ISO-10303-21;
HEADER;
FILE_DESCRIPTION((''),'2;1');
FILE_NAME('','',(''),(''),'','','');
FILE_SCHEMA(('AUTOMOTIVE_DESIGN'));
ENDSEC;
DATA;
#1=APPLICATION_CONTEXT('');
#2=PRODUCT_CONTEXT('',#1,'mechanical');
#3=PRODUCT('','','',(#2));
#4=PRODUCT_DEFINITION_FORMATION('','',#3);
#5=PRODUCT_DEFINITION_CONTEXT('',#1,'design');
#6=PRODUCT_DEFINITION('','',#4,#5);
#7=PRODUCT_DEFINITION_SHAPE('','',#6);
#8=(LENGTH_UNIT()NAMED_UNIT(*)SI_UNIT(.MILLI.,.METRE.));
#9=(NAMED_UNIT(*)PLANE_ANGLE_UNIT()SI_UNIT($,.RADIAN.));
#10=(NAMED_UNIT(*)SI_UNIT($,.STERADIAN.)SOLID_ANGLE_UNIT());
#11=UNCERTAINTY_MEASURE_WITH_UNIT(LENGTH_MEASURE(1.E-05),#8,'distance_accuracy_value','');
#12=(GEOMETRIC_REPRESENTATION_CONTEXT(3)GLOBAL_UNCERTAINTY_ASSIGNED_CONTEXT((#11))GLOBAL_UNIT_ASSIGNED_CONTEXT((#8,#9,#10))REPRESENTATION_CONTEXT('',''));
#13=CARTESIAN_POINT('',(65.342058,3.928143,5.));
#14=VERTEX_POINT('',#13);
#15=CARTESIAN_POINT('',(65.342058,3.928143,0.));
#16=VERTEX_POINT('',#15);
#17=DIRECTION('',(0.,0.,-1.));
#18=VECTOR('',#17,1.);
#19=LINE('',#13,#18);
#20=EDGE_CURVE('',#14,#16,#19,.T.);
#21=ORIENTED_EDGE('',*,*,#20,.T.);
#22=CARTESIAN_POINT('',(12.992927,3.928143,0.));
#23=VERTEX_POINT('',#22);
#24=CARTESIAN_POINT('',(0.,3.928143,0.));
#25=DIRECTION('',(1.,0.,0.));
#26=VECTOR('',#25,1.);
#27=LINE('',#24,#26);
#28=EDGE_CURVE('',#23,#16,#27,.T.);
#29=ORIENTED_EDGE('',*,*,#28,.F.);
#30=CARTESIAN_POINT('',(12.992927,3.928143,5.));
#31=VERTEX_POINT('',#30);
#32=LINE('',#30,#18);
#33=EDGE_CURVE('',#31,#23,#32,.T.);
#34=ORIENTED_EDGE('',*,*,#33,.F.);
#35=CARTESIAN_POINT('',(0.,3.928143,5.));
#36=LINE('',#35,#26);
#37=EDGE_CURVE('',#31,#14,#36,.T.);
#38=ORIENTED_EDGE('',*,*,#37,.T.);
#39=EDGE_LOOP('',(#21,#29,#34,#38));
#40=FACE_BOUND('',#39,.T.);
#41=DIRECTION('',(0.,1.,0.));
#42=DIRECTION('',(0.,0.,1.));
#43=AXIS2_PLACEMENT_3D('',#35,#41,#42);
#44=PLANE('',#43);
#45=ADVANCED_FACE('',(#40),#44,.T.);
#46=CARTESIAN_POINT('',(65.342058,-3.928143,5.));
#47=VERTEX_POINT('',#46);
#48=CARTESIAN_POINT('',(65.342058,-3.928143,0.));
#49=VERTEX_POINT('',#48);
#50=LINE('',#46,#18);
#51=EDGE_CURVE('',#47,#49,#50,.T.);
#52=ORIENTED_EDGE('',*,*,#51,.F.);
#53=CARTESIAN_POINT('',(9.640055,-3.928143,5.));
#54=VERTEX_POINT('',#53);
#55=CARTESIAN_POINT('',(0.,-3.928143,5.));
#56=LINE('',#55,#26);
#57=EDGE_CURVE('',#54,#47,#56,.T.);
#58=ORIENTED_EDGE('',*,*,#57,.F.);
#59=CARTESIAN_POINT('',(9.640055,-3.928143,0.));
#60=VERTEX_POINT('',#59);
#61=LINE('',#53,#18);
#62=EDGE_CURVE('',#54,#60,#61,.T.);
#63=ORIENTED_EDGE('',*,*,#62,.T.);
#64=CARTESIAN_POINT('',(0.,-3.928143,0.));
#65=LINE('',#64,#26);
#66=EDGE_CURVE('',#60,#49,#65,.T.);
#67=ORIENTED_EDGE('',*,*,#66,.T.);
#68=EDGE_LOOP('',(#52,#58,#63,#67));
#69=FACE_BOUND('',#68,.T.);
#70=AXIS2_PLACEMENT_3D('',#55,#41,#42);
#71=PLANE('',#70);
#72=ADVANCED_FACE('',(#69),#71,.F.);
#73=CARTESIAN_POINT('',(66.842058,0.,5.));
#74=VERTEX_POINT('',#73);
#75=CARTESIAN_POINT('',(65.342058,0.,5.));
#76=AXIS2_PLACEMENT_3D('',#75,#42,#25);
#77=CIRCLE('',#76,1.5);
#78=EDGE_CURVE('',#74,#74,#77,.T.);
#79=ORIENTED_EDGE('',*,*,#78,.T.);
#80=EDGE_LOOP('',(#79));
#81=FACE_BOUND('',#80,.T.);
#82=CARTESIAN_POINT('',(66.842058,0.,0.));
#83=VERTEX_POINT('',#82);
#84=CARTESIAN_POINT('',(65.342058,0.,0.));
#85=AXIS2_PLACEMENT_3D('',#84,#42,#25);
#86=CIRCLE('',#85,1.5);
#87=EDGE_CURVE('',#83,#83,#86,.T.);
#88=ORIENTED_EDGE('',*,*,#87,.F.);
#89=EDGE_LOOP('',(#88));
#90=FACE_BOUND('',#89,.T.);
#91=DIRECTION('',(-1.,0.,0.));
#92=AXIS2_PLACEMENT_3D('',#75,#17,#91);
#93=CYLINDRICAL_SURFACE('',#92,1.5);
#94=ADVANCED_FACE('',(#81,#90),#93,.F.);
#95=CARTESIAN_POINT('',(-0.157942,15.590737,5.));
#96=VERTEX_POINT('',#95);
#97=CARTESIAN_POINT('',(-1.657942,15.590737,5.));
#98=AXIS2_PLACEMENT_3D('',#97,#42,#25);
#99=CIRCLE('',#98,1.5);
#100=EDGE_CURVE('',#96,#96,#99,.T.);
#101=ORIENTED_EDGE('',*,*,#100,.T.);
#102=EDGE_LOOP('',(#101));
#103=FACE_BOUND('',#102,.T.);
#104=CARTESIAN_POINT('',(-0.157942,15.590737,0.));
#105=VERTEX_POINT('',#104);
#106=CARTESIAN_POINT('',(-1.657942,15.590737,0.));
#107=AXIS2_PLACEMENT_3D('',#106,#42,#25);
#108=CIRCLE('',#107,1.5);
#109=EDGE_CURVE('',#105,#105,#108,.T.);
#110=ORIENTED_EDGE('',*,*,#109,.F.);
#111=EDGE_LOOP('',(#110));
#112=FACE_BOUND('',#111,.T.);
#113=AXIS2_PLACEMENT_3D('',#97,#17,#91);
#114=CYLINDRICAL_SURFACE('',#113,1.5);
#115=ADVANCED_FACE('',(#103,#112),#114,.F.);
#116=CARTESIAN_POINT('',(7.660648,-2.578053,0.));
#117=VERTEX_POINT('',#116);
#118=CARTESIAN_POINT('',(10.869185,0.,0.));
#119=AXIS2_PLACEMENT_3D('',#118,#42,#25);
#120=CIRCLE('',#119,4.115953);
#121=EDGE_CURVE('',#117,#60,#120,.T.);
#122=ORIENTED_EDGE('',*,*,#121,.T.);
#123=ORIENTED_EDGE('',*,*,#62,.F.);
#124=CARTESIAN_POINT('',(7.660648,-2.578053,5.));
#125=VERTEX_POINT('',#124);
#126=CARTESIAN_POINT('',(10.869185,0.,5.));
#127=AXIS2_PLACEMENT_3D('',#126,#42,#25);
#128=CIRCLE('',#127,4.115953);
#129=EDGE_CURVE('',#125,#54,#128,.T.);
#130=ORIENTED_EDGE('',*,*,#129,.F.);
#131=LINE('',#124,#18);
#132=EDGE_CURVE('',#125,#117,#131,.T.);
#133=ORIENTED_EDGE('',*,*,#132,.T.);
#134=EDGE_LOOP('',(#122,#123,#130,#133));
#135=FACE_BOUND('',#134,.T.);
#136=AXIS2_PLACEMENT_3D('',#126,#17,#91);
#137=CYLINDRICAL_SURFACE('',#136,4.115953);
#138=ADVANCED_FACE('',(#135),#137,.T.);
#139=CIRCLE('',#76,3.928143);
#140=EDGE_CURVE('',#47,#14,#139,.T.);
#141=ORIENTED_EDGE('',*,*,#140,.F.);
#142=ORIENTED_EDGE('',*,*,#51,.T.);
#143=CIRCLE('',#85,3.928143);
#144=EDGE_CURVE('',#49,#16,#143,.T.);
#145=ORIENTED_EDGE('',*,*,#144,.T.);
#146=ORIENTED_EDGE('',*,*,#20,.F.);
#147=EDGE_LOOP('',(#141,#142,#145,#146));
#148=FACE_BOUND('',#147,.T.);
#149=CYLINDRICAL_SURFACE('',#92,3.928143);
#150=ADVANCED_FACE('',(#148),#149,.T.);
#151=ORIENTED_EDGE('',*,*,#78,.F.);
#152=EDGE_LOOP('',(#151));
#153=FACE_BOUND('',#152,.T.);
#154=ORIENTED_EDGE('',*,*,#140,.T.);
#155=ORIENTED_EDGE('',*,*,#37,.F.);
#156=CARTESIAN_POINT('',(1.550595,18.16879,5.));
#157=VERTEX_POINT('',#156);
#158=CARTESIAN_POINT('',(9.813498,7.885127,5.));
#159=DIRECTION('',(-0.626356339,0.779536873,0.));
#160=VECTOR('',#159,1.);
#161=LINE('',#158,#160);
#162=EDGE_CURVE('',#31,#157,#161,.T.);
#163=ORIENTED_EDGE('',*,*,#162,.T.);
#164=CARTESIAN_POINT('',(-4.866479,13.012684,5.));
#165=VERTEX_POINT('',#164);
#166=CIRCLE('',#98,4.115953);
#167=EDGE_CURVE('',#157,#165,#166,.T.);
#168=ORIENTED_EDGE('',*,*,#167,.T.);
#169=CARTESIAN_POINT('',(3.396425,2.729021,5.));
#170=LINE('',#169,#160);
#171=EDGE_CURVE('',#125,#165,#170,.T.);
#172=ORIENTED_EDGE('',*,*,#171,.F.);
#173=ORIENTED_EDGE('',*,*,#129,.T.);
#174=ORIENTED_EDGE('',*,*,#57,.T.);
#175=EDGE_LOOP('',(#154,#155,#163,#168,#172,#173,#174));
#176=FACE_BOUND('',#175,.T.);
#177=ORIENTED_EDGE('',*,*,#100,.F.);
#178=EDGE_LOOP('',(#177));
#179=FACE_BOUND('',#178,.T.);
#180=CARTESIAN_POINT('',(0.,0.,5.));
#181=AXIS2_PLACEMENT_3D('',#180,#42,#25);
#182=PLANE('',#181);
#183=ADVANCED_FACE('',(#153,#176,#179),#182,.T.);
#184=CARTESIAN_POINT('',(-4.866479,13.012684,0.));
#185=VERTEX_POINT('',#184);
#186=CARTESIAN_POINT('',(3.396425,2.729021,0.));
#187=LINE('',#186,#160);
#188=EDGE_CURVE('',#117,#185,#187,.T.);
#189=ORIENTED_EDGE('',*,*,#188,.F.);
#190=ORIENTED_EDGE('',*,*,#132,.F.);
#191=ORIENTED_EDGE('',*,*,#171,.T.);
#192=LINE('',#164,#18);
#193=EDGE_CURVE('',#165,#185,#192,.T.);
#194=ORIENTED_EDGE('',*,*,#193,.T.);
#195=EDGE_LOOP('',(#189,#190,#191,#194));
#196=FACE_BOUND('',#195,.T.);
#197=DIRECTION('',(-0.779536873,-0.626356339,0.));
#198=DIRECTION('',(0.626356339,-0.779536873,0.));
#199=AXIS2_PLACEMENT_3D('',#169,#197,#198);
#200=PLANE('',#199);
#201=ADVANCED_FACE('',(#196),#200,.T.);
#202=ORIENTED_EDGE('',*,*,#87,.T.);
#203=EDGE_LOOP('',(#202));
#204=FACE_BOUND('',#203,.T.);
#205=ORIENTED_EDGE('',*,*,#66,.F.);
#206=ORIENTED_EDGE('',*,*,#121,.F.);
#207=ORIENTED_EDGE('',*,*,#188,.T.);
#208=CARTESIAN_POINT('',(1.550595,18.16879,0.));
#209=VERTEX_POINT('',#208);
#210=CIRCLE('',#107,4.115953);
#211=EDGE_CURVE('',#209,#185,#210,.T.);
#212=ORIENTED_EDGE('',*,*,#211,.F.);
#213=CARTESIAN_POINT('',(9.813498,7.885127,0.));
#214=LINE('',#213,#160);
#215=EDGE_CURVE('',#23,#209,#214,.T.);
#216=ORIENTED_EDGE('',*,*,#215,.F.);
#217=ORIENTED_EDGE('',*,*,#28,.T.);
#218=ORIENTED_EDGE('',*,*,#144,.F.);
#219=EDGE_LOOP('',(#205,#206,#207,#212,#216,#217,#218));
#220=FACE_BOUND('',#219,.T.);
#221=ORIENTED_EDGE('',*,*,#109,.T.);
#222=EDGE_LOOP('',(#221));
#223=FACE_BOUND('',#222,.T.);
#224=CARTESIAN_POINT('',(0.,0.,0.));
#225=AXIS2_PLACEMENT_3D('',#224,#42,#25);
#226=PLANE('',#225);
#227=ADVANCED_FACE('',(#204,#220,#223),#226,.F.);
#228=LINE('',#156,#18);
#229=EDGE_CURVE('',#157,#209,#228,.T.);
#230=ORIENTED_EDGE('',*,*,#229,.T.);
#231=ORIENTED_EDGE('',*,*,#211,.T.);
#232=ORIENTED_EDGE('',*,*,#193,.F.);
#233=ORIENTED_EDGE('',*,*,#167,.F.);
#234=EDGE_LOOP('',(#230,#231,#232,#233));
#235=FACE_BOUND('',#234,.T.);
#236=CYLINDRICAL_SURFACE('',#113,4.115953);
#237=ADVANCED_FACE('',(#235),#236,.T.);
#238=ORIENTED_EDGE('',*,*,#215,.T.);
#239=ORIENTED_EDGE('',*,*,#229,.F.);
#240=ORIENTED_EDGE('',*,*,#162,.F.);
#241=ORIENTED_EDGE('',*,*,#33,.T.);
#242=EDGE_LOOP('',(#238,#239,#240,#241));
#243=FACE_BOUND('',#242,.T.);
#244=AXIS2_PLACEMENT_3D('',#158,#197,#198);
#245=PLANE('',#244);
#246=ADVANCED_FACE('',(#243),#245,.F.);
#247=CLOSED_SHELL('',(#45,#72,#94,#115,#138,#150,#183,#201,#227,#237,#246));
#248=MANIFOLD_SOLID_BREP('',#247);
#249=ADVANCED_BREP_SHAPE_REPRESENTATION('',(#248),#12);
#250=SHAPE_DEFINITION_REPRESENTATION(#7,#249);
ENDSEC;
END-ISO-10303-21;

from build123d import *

# Parameters (mm, degrees)
SKETCH1_R           = 1.5
BOSS_EXTRUDE2_DEPTH = 5


with BuildPart() as part:
    # Sketch1 → Boss-Extrude2 (new body)
    with BuildSketch(Plane.XY):
        with BuildLine():
            ThreePointArc((1.550594596, 18.168790447), (-4.235995189, 18.799274261), (-4.866479002, 13.012684476))
            Line((-4.866479002, 13.012684476), (7.66064778, -2.578052986))
            ThreePointArc((7.66064778, -2.578052986), (8.549937722, -3.400317574), (9.640055191, -3.928142886))
            Line((9.640055191, -3.928142886), (65.342057797, -3.928142886))
            ThreePointArc((65.342057797, -3.928142886), (69.270200683, 0), (65.342057797, 3.928142886))
            Line((65.342057797, 3.928142886), (48.461164636, 3.928142886))
            Line((48.461164636, 3.928142886), (12.992926807, 3.928142886))
            Line((12.992926807, 3.928142886), (4.83629607, 14.07954397))
            Line((4.83629607, 14.07954397), (1.550594596, 18.168790447))
        make_face()
        with Locations((-1.657942203, 15.590737462)):
            Circle(SKETCH1_R, mode=Mode.SUBTRACT)
        with Locations((65.342057797, 0)):
            Circle(SKETCH1_R, mode=Mode.SUBTRACT)
    extrude(amount=BOSS_EXTRUDE2_DEPTH)


solid = part.part
